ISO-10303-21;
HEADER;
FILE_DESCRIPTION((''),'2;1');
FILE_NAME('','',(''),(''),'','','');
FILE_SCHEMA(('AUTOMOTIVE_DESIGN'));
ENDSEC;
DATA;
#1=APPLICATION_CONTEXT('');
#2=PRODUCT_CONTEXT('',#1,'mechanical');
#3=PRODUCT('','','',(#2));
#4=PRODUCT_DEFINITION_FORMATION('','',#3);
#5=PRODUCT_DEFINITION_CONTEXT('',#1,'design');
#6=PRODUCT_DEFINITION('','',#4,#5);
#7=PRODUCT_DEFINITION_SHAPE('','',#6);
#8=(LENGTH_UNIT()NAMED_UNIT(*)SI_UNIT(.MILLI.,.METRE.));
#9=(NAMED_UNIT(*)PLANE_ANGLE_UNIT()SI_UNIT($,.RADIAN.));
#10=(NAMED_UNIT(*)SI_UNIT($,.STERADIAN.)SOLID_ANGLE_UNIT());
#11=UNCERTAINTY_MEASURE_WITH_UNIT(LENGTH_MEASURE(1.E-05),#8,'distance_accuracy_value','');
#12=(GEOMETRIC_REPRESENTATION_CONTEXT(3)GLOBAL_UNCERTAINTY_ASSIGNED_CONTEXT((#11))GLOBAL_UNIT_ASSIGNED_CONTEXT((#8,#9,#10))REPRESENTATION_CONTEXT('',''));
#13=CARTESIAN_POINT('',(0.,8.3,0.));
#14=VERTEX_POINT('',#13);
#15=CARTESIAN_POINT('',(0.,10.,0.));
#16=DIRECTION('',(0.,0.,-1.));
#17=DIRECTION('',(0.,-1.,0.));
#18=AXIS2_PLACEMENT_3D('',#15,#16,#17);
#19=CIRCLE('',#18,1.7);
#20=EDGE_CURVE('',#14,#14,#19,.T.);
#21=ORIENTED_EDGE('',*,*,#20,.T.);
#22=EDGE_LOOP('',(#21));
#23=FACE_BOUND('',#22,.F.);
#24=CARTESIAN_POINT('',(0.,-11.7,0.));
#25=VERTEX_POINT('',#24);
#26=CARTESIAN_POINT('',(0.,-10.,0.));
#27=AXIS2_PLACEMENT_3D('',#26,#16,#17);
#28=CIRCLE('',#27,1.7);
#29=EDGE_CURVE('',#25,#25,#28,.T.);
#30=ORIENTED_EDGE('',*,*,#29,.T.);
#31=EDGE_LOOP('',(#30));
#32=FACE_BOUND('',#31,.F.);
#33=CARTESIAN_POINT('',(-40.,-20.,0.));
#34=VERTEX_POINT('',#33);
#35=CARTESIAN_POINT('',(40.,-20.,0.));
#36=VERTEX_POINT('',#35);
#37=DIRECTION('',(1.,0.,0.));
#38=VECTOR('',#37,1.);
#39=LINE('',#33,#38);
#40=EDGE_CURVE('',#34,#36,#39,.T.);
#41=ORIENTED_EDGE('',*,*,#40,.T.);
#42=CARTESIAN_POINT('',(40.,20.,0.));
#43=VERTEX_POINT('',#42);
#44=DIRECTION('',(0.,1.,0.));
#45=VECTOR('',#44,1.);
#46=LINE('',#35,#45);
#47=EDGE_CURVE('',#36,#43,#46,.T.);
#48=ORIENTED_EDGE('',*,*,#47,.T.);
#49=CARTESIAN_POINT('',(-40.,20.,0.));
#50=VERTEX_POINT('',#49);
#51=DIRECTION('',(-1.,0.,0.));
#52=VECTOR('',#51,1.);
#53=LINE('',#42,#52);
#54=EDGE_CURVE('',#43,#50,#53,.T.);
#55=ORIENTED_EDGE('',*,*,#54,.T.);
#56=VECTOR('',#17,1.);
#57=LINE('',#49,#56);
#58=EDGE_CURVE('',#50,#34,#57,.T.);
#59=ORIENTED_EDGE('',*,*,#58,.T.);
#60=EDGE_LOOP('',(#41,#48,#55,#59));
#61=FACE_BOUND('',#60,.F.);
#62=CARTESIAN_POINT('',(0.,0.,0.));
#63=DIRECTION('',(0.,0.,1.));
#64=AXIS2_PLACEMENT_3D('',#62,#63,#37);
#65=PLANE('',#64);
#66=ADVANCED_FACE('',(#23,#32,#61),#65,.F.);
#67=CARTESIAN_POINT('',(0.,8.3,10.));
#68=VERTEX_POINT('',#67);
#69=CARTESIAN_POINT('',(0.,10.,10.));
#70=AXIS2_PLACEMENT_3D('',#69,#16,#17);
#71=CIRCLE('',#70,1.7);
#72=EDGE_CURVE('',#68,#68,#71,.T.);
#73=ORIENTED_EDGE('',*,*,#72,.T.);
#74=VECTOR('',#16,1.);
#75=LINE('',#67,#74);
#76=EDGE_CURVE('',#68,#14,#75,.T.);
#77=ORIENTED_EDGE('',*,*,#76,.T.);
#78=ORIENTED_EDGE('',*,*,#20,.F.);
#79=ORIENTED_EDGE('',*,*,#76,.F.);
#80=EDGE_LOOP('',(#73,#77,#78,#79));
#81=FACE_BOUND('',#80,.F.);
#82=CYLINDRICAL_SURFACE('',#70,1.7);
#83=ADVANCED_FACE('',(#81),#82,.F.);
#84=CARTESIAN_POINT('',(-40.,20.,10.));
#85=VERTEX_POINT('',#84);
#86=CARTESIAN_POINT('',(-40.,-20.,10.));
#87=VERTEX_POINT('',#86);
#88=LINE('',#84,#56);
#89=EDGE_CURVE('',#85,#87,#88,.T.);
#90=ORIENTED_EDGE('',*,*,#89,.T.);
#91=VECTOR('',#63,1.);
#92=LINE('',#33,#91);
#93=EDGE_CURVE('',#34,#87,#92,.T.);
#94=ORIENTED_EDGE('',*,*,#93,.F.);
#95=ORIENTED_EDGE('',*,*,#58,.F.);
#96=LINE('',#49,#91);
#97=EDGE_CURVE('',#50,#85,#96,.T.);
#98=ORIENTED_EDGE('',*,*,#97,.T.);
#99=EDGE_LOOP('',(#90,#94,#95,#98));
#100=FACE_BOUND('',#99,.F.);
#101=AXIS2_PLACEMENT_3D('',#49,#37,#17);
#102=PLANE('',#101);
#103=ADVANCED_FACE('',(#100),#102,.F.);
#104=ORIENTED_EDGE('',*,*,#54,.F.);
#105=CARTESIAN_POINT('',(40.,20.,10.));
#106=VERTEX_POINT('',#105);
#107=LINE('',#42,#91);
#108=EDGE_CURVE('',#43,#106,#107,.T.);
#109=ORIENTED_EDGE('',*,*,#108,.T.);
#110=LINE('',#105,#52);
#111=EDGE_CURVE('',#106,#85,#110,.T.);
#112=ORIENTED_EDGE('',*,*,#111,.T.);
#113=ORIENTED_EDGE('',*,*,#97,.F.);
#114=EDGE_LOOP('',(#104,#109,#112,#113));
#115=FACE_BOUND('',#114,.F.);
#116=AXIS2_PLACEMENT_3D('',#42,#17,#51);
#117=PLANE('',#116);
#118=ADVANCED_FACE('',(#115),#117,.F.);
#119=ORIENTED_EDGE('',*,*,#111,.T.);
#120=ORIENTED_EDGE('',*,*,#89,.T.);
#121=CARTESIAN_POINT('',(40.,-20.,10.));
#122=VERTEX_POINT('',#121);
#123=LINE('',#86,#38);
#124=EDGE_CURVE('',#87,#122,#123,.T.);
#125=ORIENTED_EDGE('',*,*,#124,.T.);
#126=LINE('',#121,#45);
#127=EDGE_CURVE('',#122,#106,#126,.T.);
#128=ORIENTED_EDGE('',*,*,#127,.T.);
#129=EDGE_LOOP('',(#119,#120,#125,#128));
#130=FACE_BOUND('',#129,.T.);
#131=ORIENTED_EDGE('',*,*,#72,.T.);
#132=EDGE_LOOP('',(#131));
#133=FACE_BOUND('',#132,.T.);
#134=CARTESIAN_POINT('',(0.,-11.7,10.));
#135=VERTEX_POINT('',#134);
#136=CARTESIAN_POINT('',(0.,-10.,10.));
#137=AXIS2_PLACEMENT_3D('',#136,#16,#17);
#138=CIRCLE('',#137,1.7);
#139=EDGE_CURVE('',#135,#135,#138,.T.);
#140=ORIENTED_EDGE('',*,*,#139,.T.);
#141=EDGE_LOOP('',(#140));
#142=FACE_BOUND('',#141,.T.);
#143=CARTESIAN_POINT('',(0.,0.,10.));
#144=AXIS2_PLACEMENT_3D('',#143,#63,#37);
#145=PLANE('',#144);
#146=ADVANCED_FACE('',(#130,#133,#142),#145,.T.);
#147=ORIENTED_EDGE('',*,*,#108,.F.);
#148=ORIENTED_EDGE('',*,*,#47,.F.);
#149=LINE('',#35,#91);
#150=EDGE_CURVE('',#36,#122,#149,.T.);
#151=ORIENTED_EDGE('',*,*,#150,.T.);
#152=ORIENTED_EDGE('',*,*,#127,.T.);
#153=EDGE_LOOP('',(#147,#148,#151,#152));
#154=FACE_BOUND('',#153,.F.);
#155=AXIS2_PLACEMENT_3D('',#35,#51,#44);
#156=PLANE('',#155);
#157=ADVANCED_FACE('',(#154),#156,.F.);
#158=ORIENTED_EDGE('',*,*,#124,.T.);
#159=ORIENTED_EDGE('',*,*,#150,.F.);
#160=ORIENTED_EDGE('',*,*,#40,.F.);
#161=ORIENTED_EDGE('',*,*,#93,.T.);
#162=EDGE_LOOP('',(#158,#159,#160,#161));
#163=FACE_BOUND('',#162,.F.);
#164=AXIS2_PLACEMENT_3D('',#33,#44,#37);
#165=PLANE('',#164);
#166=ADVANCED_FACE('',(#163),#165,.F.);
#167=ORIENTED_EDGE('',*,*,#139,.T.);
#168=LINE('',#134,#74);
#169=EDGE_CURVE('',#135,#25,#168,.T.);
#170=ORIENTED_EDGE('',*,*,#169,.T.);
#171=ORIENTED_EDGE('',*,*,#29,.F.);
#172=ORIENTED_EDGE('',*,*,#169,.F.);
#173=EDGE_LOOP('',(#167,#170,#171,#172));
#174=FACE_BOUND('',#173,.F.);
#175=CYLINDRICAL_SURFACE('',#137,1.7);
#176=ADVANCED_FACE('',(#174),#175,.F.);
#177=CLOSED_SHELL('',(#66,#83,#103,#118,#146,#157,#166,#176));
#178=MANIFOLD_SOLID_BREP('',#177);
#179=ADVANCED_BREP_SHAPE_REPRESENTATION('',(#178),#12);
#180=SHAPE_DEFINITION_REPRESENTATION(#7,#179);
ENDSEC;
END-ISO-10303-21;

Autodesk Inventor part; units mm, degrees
ref_plane "YZ Plane" through (0, 0, 0) normal (1, 0, 0) x (0, 1, 0)
ref_plane "XZ Plane" through (0, 0, 0) normal (0, 1, 0) x (-1, 0, 0)
ref_plane "XY Plane" through (0, 0, 0) normal (0, 0, 1) x (1, 0, 0)
sketch "スケッチ1" plane through (0, 0, 0) normal (0, 0, 1) x (1, 0, 0)
  line L0 (-40, -20) -> (40, -20)
  line L1 (40, -20) -> (40, 20)
  line L2 (40, 20) -> (-40, 20)
  line L3 (-40, 20) -> (-40, -20)
  line L4 (-40, -20) -> (40, 20) construction
  line L5 (40, -20) -> (-40, 20) construction
  point P0 (0, 0)
  dimension "d0" = 40
  dimension "d1" = 80
extrude "押し出し1" add sketch "スケッチ1" along normal blind 10
sketch "スケッチ3" plane through (0, 0, 10) normal (0, 0, 1) x (1, 0, 0)
  point P0 (0, 0)
  point P1 (0, 10)
  point P2 (0, -10)
  dimension "d13" = 10
  dimension "d14" = 10
hole "穴2" at (0, 10, 10) at (0, -10, 10) direction (0, 0, -1) diameter 3.4 end through all clearance for "Flat Head Machine Screw" size "M3" standard "Ansi Metric M Profile"
properties part number "20220509_知能ロボットカメラ土台"
